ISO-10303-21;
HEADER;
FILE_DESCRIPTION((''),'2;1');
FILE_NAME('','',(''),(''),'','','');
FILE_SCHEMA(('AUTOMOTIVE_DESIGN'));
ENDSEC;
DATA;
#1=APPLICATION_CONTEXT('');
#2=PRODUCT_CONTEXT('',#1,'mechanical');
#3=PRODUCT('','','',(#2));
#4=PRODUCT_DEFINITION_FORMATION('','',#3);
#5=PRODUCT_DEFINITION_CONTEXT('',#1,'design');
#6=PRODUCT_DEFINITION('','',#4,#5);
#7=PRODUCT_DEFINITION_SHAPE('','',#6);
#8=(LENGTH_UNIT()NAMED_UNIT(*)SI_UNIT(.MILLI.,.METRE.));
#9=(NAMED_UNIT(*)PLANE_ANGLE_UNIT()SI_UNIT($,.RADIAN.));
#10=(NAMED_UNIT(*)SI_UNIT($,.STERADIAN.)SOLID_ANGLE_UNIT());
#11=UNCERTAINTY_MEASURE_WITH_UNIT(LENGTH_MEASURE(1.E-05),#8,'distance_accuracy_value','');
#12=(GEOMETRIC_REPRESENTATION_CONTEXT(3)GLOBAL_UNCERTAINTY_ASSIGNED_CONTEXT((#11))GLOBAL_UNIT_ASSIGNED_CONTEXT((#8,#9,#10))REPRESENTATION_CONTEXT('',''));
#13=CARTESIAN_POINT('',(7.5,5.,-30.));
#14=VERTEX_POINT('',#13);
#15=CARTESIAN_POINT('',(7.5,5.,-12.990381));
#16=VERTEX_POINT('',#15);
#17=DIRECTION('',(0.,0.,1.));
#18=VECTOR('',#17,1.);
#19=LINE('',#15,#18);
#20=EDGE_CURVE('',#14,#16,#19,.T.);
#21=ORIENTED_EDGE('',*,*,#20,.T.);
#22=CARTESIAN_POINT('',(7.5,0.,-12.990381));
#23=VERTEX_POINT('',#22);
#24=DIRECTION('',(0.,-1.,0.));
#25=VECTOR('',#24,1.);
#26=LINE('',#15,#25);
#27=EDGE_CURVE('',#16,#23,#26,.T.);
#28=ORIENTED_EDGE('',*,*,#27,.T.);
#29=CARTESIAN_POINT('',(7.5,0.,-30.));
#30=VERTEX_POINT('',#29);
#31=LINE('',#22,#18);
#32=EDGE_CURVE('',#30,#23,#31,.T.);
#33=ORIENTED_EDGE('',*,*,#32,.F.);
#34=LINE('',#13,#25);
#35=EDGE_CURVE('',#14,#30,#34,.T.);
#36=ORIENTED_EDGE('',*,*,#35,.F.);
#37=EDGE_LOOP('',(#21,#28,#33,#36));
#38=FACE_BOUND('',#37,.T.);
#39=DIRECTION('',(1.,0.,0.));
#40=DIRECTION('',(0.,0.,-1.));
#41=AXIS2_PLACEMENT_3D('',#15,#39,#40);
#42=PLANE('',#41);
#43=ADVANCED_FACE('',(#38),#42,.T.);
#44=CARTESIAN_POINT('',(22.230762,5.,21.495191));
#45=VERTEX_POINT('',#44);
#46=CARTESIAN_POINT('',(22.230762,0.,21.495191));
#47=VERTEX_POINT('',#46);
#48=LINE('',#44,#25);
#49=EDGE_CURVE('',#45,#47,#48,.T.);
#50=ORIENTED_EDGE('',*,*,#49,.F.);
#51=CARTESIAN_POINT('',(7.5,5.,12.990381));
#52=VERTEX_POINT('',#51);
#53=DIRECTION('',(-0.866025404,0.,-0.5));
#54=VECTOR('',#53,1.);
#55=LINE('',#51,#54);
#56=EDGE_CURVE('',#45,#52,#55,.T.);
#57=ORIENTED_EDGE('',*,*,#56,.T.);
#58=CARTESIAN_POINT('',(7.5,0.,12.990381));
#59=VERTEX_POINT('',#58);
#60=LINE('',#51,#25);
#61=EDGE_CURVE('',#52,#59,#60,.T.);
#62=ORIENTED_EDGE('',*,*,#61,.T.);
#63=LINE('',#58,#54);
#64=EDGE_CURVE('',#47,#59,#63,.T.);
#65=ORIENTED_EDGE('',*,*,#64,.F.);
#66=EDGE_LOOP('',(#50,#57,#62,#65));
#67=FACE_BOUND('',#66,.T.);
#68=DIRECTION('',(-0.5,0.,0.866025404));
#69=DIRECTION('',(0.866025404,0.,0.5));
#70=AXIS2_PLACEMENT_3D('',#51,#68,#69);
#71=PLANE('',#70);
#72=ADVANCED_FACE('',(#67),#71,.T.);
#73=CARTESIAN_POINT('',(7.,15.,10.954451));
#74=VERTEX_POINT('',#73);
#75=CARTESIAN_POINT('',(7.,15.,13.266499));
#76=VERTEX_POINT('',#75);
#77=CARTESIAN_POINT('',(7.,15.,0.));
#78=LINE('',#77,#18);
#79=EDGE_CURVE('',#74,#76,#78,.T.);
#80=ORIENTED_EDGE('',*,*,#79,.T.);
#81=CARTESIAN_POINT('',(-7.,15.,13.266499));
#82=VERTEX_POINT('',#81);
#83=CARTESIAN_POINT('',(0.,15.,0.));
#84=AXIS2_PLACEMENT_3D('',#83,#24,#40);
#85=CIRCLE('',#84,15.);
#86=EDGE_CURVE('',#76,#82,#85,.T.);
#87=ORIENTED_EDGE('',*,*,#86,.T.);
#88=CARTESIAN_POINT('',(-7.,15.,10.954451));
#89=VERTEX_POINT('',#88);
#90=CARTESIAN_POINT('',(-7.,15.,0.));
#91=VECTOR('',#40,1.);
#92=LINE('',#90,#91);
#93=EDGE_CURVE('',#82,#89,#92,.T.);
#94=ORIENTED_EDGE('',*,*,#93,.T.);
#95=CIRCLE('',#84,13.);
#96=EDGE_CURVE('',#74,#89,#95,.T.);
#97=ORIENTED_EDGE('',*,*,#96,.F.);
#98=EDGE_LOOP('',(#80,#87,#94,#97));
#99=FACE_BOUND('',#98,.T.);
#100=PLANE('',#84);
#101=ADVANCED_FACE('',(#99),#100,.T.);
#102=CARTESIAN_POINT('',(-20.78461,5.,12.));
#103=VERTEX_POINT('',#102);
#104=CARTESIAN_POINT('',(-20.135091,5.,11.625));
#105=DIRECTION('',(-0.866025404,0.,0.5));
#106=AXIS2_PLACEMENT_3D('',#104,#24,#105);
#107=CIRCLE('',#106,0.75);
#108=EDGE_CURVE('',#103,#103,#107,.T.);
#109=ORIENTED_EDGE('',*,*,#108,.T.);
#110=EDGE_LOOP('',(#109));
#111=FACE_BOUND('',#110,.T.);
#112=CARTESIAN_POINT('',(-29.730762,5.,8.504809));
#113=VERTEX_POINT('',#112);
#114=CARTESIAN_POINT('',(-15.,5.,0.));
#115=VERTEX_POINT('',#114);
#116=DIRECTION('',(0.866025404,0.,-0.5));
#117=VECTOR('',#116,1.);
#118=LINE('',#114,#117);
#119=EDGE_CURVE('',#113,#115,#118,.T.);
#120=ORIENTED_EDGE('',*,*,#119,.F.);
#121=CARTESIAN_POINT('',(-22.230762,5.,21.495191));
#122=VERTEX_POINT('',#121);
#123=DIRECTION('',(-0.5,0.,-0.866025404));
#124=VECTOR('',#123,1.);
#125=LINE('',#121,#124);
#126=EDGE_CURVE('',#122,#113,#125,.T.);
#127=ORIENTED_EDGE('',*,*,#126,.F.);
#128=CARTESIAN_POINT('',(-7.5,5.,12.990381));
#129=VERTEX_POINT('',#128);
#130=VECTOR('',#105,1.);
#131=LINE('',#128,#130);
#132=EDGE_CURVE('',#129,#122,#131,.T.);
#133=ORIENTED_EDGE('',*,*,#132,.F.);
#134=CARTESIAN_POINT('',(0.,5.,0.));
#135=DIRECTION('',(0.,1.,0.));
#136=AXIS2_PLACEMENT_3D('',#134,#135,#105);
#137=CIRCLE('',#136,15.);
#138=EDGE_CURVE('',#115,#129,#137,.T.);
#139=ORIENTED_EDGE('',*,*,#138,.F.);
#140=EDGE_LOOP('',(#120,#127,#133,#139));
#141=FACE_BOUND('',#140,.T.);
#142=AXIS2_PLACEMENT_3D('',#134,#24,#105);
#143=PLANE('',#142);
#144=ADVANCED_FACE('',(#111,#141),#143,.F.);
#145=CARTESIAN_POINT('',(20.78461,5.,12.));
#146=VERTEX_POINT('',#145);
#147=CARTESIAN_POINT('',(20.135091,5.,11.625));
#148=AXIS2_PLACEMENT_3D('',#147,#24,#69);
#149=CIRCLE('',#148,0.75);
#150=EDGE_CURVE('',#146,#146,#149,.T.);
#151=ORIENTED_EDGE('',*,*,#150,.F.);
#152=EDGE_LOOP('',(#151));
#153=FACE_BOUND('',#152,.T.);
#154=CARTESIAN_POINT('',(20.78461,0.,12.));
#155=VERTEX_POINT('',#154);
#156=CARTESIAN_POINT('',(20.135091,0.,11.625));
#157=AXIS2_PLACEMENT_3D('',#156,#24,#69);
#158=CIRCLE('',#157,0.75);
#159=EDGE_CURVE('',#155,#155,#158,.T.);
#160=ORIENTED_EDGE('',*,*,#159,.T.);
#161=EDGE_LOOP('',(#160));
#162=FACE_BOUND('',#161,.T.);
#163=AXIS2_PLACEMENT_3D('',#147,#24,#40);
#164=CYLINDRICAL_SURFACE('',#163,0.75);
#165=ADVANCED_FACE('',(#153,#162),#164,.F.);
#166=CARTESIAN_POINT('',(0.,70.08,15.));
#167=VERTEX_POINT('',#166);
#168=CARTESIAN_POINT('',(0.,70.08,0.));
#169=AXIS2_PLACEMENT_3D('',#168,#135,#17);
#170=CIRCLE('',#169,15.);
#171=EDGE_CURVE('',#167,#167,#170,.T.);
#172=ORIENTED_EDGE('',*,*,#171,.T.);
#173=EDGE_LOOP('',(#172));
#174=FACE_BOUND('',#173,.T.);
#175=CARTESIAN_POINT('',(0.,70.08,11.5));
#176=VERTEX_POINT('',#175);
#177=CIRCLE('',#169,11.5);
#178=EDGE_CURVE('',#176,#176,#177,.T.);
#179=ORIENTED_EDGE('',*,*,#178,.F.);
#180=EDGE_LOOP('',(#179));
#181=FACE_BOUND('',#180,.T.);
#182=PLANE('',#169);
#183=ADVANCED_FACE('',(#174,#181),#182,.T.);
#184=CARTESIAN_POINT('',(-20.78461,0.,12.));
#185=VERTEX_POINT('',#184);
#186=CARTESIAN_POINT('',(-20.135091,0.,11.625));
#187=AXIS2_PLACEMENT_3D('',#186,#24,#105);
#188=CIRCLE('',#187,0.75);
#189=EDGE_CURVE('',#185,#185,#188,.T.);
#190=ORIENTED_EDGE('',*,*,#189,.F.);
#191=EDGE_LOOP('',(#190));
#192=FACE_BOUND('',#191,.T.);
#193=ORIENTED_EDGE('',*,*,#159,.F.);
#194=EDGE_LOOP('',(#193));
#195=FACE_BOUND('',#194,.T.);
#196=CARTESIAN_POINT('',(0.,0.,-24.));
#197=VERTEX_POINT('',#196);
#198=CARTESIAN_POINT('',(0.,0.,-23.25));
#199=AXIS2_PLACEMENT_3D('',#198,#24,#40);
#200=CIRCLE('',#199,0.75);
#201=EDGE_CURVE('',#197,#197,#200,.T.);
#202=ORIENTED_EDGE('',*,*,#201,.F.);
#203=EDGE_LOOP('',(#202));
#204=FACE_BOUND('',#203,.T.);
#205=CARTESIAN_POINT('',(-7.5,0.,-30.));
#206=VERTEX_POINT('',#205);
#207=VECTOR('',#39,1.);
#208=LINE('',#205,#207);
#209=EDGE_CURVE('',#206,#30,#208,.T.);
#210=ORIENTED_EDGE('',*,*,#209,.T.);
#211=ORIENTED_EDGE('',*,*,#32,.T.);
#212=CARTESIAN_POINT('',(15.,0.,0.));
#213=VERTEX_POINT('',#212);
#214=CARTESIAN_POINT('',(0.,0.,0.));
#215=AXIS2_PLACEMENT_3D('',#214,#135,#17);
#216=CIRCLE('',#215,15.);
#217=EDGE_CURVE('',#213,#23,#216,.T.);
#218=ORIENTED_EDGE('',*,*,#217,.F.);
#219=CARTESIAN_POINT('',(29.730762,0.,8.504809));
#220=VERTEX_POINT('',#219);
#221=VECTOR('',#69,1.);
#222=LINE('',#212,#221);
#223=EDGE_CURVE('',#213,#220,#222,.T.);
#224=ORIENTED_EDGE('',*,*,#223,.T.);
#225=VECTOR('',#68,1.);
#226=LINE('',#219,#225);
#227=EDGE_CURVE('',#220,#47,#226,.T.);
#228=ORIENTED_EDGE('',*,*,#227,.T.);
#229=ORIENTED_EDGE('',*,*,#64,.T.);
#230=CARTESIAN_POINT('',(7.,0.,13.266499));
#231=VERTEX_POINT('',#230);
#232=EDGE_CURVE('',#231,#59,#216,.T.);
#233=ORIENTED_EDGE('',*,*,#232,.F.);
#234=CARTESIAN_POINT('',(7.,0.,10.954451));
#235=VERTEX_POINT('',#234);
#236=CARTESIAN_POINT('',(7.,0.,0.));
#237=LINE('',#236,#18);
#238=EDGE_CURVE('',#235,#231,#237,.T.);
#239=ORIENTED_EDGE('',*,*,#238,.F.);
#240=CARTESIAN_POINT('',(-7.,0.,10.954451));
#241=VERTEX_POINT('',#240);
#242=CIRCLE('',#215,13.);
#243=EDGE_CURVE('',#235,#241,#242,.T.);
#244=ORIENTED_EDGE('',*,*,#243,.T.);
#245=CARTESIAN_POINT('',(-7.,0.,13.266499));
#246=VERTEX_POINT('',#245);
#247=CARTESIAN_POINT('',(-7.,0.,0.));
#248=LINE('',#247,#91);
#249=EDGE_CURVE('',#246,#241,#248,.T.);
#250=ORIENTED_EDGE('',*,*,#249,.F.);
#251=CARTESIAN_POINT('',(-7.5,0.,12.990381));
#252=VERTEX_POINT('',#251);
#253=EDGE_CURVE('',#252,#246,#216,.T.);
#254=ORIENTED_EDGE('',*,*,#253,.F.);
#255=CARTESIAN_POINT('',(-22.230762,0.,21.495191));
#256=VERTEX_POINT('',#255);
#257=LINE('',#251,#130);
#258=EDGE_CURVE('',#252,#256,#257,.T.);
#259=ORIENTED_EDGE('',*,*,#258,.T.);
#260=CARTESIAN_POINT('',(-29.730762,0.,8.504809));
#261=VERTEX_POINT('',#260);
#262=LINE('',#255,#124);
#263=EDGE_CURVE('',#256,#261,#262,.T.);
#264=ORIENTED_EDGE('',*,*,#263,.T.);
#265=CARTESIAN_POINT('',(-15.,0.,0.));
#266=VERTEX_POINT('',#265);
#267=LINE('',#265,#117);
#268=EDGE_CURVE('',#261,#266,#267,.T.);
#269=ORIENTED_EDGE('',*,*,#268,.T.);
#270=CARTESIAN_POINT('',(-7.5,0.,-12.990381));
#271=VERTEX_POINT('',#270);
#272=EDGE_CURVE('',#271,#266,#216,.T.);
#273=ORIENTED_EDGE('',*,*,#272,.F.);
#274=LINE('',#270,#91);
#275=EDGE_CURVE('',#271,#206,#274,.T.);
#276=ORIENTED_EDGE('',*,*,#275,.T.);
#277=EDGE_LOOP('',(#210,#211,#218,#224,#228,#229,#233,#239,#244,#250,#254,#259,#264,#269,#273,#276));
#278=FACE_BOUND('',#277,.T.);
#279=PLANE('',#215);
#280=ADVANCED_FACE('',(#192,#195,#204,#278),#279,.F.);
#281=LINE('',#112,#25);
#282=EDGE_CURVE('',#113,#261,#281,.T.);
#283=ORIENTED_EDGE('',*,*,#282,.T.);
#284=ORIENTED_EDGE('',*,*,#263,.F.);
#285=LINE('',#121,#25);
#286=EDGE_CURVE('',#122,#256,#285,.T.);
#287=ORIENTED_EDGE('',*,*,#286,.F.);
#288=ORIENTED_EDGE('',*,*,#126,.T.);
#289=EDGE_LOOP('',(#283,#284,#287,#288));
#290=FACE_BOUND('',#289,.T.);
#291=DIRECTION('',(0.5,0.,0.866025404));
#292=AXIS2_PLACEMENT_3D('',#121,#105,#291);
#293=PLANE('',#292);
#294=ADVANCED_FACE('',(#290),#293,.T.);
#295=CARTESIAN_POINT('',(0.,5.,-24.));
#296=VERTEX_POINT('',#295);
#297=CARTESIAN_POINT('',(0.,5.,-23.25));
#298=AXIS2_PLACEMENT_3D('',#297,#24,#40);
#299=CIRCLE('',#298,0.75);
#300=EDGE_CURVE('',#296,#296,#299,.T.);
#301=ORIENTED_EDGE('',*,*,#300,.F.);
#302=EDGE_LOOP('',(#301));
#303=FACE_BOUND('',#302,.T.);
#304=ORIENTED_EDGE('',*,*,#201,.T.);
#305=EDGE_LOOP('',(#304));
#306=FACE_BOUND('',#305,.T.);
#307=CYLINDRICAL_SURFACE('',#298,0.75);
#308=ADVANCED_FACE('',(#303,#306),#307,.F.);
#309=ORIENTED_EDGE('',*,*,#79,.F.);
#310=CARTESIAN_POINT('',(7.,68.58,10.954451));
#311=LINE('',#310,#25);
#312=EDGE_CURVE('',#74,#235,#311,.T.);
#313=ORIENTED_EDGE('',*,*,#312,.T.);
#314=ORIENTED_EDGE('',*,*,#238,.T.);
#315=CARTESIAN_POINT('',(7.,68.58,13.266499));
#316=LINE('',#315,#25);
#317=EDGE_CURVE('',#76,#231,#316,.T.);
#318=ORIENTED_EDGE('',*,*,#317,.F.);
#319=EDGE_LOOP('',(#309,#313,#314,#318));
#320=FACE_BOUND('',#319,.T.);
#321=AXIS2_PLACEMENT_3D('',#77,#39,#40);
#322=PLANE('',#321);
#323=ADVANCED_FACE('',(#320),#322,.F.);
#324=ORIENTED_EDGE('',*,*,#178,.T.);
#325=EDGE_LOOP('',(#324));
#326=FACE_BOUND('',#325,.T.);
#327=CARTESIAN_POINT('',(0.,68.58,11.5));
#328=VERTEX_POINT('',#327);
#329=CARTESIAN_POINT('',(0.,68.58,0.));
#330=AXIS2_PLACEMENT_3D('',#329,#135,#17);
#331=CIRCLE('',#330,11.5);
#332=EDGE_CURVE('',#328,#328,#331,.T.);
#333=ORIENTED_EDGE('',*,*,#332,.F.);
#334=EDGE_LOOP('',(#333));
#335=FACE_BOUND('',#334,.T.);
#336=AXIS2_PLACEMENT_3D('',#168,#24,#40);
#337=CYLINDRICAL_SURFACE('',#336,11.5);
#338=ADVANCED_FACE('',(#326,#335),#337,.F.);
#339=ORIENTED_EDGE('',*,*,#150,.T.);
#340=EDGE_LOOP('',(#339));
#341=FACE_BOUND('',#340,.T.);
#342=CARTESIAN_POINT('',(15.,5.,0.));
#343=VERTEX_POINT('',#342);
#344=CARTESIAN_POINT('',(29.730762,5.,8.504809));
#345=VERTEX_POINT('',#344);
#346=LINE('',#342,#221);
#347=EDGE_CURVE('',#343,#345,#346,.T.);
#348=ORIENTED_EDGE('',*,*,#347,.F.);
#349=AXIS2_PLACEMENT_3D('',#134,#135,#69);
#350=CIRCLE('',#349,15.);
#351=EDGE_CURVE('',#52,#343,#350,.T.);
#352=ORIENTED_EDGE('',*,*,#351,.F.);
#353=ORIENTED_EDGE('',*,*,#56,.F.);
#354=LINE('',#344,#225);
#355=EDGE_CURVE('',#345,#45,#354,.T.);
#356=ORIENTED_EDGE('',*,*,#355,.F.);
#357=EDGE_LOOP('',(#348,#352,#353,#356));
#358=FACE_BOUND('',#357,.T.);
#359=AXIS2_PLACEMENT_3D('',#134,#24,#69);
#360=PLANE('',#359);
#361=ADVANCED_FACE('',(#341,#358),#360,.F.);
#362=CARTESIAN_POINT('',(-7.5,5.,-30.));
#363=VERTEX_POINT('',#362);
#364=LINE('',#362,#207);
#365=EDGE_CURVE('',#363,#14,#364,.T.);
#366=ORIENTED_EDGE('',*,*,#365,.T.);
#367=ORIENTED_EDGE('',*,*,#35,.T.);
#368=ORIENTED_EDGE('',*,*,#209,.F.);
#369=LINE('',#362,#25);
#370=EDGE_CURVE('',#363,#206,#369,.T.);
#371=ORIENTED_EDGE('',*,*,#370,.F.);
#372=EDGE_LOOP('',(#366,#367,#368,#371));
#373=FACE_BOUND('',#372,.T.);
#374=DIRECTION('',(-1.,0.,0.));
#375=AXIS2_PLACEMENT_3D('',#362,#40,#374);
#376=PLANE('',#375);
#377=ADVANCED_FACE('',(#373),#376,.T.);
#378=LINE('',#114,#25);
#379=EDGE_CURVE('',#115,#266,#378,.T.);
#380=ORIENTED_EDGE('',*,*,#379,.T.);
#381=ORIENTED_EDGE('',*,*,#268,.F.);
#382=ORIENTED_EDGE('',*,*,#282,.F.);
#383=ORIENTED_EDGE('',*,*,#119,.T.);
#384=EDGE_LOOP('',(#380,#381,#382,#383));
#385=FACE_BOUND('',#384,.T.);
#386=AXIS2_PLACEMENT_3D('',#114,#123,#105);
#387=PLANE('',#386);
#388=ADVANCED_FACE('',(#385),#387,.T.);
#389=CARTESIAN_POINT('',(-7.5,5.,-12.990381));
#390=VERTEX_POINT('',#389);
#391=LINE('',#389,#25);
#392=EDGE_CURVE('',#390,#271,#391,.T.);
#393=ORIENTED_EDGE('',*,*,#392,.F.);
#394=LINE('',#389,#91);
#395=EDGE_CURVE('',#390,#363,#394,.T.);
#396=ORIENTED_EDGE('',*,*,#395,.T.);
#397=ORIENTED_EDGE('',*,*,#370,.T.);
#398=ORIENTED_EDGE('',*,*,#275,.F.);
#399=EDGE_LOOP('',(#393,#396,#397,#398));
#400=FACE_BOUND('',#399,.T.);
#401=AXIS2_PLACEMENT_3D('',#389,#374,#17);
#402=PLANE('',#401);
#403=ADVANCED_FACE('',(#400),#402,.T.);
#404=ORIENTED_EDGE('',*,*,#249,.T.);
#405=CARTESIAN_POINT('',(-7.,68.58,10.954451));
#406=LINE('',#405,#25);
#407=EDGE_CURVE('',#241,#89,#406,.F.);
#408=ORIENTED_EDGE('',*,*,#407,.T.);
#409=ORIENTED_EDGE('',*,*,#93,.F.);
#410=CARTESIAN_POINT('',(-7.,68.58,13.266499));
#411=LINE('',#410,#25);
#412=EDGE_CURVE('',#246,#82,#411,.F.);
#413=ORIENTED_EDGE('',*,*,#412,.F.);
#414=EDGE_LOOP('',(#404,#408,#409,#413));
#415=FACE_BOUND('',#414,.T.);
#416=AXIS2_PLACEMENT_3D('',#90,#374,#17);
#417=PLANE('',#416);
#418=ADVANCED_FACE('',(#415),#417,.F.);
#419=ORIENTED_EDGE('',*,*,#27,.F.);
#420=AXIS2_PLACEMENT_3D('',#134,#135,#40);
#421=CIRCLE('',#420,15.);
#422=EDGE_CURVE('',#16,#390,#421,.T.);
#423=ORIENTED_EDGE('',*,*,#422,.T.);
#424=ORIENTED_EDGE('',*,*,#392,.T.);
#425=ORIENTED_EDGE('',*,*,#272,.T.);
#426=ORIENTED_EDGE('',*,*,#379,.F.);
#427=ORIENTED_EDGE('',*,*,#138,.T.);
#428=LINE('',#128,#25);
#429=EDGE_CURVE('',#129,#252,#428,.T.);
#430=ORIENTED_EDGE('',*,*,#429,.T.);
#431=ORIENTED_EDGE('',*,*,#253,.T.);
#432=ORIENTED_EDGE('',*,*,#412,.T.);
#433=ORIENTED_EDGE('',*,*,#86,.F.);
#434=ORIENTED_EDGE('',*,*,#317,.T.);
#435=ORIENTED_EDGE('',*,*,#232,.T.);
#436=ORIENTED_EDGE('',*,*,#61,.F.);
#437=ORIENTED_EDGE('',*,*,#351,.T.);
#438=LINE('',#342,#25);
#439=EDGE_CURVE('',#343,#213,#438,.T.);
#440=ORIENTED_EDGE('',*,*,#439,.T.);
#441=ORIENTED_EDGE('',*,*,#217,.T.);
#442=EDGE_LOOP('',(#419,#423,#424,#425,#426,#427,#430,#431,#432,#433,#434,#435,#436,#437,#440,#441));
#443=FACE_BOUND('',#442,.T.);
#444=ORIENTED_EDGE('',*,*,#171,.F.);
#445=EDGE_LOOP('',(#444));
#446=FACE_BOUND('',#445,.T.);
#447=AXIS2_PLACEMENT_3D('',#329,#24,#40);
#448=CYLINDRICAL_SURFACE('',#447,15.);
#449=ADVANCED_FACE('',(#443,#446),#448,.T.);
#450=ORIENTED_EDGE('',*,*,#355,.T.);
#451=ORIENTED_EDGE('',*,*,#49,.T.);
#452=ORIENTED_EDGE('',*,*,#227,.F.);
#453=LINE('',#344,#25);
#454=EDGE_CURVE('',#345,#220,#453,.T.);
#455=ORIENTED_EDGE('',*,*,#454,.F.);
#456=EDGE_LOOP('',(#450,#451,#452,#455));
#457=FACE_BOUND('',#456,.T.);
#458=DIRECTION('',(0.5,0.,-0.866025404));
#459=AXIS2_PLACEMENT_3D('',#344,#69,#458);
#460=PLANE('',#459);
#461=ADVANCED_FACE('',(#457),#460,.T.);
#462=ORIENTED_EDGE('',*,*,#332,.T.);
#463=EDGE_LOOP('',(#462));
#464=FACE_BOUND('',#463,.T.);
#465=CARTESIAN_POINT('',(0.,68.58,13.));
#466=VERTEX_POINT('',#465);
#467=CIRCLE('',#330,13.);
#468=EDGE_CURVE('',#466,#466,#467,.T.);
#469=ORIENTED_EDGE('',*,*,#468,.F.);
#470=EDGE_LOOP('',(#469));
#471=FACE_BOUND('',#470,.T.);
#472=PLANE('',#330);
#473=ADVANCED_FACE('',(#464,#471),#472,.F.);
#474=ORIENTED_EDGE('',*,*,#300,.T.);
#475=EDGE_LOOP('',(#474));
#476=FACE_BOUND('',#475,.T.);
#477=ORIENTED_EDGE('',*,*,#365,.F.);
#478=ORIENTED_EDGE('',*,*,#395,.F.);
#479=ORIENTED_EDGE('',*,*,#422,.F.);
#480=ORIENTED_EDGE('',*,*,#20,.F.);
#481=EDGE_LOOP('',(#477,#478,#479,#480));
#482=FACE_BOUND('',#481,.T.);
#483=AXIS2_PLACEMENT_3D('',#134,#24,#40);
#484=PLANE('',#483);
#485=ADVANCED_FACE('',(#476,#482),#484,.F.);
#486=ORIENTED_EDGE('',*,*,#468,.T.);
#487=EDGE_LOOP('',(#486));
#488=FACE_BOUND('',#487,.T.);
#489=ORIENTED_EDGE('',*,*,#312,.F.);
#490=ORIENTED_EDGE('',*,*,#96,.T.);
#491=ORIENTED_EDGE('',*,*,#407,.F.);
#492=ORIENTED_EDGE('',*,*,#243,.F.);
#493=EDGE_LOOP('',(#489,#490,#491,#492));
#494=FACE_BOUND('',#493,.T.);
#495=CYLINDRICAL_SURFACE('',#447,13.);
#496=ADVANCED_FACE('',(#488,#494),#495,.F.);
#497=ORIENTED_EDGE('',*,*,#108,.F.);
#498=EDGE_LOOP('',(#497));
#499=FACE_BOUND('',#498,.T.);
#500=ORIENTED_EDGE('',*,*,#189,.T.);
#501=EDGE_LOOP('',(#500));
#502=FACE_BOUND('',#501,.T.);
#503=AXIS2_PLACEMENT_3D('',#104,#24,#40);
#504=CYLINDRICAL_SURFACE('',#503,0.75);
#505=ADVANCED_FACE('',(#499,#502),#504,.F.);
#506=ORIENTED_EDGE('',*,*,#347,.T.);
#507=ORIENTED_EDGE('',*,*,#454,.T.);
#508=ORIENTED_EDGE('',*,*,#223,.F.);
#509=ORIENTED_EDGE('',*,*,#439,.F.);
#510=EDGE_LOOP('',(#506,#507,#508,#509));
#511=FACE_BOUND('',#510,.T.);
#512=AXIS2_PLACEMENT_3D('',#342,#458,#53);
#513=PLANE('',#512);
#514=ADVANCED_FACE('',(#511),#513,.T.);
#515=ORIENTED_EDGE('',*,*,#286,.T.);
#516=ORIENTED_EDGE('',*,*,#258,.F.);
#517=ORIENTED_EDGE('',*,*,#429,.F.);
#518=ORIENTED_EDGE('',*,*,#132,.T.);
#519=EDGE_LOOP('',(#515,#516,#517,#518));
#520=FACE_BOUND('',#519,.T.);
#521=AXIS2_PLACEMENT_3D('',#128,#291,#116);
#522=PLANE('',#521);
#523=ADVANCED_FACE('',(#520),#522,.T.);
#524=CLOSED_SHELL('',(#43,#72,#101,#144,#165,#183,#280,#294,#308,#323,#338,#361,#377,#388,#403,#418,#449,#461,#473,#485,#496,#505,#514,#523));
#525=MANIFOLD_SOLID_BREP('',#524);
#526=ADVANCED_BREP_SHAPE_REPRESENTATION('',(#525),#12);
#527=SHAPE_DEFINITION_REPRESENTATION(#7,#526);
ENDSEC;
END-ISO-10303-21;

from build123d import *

# Parameters (mm, degrees)
SKETCH1_R           = 15
SKETCH1_R_2         = 13
BOSS_EXTRUDE1_DEPTH = 68.58
SKETCH2_R           = 15
SKETCH2_R_2         = 11.5
BOSS_EXTRUDE2_DEPTH = 1.5
SKETCH3_W           = 14
SKETCH3_H           = 15.591369762
CUT_EXTRUDE1_DEPTH  = 15
SKETCH4_R           = 0.75
BOSS_EXTRUDE3_DEPTH = 5
CIRPATTERN1_COUNT   = 3


with BuildPart() as part:
    # Sketch1 → Boss-Extrude1 (new body)
    with BuildSketch(Plane(origin=(0, 0, 0), x_dir=(1, 0, 0), z_dir=(0, 1, 0))):
        with Locations(Location((0, 0, 0), (0, 0, 270))):
            Circle(SKETCH1_R)
        with Locations(Location((0, 0, 0), (0, 0, 270))):
            Circle(SKETCH1_R_2, mode=Mode.SUBTRACT)
    extrude(amount=BOSS_EXTRUDE1_DEPTH)

    # Sketch2 → Boss-Extrude2 (add)
    with BuildSketch(Plane(origin=(0, 68.58, 0), x_dir=(1, 0, 0), z_dir=(0, 1, 0))):
        with Locations(Location((0, 0, 0), (0, 0, 270))):
            Circle(SKETCH2_R)
        with Locations(Location((0, 0, 0), (0, 0, 270))):
            Circle(SKETCH2_R_2, mode=Mode.SUBTRACT)
    extrude(amount=BOSS_EXTRUDE2_DEPTH)

    # Sketch3 → Cut-Extrude1 (cut)
    with BuildSketch(Plane.XZ):
        with Locations((0, 7.795684881)):
            Rectangle(SKETCH3_W, SKETCH3_H)
    extrude(amount=-CUT_EXTRUDE1_DEPTH, mode=Mode.SUBTRACT)

    # Sketch4 → Boss-Extrude3 (add)
    with BuildSketch(Plane.XZ):
        with BuildLine():
            Line((-7.5, -12.990381057), (-7.5, -30))
            Line((-7.5, -30), (7.5, -30))
            Line((7.5, -30), (7.5, -12.990381057))
            ThreePointArc((7.5, -12.990381057), (0, -15), (-7.5, -12.990381057))
        make_face()
        with Locations(Location((0, -23.25, 0), (0, 0, 270))):
            Circle(SKETCH4_R, mode=Mode.SUBTRACT)
    boss_extrude3 = extrude(amount=-BOSS_EXTRUDE3_DEPTH)

    # CirPattern1: Boss-Extrude3 ×3 about axis
    cirpattern1_axis = Axis((0, 0, 0), (0, 1, 0))
    for i in range(1, CIRPATTERN1_COUNT):
        add(boss_extrude3.rotate(cirpattern1_axis, i * 360 / CIRPATTERN1_COUNT))


solid = part.part
